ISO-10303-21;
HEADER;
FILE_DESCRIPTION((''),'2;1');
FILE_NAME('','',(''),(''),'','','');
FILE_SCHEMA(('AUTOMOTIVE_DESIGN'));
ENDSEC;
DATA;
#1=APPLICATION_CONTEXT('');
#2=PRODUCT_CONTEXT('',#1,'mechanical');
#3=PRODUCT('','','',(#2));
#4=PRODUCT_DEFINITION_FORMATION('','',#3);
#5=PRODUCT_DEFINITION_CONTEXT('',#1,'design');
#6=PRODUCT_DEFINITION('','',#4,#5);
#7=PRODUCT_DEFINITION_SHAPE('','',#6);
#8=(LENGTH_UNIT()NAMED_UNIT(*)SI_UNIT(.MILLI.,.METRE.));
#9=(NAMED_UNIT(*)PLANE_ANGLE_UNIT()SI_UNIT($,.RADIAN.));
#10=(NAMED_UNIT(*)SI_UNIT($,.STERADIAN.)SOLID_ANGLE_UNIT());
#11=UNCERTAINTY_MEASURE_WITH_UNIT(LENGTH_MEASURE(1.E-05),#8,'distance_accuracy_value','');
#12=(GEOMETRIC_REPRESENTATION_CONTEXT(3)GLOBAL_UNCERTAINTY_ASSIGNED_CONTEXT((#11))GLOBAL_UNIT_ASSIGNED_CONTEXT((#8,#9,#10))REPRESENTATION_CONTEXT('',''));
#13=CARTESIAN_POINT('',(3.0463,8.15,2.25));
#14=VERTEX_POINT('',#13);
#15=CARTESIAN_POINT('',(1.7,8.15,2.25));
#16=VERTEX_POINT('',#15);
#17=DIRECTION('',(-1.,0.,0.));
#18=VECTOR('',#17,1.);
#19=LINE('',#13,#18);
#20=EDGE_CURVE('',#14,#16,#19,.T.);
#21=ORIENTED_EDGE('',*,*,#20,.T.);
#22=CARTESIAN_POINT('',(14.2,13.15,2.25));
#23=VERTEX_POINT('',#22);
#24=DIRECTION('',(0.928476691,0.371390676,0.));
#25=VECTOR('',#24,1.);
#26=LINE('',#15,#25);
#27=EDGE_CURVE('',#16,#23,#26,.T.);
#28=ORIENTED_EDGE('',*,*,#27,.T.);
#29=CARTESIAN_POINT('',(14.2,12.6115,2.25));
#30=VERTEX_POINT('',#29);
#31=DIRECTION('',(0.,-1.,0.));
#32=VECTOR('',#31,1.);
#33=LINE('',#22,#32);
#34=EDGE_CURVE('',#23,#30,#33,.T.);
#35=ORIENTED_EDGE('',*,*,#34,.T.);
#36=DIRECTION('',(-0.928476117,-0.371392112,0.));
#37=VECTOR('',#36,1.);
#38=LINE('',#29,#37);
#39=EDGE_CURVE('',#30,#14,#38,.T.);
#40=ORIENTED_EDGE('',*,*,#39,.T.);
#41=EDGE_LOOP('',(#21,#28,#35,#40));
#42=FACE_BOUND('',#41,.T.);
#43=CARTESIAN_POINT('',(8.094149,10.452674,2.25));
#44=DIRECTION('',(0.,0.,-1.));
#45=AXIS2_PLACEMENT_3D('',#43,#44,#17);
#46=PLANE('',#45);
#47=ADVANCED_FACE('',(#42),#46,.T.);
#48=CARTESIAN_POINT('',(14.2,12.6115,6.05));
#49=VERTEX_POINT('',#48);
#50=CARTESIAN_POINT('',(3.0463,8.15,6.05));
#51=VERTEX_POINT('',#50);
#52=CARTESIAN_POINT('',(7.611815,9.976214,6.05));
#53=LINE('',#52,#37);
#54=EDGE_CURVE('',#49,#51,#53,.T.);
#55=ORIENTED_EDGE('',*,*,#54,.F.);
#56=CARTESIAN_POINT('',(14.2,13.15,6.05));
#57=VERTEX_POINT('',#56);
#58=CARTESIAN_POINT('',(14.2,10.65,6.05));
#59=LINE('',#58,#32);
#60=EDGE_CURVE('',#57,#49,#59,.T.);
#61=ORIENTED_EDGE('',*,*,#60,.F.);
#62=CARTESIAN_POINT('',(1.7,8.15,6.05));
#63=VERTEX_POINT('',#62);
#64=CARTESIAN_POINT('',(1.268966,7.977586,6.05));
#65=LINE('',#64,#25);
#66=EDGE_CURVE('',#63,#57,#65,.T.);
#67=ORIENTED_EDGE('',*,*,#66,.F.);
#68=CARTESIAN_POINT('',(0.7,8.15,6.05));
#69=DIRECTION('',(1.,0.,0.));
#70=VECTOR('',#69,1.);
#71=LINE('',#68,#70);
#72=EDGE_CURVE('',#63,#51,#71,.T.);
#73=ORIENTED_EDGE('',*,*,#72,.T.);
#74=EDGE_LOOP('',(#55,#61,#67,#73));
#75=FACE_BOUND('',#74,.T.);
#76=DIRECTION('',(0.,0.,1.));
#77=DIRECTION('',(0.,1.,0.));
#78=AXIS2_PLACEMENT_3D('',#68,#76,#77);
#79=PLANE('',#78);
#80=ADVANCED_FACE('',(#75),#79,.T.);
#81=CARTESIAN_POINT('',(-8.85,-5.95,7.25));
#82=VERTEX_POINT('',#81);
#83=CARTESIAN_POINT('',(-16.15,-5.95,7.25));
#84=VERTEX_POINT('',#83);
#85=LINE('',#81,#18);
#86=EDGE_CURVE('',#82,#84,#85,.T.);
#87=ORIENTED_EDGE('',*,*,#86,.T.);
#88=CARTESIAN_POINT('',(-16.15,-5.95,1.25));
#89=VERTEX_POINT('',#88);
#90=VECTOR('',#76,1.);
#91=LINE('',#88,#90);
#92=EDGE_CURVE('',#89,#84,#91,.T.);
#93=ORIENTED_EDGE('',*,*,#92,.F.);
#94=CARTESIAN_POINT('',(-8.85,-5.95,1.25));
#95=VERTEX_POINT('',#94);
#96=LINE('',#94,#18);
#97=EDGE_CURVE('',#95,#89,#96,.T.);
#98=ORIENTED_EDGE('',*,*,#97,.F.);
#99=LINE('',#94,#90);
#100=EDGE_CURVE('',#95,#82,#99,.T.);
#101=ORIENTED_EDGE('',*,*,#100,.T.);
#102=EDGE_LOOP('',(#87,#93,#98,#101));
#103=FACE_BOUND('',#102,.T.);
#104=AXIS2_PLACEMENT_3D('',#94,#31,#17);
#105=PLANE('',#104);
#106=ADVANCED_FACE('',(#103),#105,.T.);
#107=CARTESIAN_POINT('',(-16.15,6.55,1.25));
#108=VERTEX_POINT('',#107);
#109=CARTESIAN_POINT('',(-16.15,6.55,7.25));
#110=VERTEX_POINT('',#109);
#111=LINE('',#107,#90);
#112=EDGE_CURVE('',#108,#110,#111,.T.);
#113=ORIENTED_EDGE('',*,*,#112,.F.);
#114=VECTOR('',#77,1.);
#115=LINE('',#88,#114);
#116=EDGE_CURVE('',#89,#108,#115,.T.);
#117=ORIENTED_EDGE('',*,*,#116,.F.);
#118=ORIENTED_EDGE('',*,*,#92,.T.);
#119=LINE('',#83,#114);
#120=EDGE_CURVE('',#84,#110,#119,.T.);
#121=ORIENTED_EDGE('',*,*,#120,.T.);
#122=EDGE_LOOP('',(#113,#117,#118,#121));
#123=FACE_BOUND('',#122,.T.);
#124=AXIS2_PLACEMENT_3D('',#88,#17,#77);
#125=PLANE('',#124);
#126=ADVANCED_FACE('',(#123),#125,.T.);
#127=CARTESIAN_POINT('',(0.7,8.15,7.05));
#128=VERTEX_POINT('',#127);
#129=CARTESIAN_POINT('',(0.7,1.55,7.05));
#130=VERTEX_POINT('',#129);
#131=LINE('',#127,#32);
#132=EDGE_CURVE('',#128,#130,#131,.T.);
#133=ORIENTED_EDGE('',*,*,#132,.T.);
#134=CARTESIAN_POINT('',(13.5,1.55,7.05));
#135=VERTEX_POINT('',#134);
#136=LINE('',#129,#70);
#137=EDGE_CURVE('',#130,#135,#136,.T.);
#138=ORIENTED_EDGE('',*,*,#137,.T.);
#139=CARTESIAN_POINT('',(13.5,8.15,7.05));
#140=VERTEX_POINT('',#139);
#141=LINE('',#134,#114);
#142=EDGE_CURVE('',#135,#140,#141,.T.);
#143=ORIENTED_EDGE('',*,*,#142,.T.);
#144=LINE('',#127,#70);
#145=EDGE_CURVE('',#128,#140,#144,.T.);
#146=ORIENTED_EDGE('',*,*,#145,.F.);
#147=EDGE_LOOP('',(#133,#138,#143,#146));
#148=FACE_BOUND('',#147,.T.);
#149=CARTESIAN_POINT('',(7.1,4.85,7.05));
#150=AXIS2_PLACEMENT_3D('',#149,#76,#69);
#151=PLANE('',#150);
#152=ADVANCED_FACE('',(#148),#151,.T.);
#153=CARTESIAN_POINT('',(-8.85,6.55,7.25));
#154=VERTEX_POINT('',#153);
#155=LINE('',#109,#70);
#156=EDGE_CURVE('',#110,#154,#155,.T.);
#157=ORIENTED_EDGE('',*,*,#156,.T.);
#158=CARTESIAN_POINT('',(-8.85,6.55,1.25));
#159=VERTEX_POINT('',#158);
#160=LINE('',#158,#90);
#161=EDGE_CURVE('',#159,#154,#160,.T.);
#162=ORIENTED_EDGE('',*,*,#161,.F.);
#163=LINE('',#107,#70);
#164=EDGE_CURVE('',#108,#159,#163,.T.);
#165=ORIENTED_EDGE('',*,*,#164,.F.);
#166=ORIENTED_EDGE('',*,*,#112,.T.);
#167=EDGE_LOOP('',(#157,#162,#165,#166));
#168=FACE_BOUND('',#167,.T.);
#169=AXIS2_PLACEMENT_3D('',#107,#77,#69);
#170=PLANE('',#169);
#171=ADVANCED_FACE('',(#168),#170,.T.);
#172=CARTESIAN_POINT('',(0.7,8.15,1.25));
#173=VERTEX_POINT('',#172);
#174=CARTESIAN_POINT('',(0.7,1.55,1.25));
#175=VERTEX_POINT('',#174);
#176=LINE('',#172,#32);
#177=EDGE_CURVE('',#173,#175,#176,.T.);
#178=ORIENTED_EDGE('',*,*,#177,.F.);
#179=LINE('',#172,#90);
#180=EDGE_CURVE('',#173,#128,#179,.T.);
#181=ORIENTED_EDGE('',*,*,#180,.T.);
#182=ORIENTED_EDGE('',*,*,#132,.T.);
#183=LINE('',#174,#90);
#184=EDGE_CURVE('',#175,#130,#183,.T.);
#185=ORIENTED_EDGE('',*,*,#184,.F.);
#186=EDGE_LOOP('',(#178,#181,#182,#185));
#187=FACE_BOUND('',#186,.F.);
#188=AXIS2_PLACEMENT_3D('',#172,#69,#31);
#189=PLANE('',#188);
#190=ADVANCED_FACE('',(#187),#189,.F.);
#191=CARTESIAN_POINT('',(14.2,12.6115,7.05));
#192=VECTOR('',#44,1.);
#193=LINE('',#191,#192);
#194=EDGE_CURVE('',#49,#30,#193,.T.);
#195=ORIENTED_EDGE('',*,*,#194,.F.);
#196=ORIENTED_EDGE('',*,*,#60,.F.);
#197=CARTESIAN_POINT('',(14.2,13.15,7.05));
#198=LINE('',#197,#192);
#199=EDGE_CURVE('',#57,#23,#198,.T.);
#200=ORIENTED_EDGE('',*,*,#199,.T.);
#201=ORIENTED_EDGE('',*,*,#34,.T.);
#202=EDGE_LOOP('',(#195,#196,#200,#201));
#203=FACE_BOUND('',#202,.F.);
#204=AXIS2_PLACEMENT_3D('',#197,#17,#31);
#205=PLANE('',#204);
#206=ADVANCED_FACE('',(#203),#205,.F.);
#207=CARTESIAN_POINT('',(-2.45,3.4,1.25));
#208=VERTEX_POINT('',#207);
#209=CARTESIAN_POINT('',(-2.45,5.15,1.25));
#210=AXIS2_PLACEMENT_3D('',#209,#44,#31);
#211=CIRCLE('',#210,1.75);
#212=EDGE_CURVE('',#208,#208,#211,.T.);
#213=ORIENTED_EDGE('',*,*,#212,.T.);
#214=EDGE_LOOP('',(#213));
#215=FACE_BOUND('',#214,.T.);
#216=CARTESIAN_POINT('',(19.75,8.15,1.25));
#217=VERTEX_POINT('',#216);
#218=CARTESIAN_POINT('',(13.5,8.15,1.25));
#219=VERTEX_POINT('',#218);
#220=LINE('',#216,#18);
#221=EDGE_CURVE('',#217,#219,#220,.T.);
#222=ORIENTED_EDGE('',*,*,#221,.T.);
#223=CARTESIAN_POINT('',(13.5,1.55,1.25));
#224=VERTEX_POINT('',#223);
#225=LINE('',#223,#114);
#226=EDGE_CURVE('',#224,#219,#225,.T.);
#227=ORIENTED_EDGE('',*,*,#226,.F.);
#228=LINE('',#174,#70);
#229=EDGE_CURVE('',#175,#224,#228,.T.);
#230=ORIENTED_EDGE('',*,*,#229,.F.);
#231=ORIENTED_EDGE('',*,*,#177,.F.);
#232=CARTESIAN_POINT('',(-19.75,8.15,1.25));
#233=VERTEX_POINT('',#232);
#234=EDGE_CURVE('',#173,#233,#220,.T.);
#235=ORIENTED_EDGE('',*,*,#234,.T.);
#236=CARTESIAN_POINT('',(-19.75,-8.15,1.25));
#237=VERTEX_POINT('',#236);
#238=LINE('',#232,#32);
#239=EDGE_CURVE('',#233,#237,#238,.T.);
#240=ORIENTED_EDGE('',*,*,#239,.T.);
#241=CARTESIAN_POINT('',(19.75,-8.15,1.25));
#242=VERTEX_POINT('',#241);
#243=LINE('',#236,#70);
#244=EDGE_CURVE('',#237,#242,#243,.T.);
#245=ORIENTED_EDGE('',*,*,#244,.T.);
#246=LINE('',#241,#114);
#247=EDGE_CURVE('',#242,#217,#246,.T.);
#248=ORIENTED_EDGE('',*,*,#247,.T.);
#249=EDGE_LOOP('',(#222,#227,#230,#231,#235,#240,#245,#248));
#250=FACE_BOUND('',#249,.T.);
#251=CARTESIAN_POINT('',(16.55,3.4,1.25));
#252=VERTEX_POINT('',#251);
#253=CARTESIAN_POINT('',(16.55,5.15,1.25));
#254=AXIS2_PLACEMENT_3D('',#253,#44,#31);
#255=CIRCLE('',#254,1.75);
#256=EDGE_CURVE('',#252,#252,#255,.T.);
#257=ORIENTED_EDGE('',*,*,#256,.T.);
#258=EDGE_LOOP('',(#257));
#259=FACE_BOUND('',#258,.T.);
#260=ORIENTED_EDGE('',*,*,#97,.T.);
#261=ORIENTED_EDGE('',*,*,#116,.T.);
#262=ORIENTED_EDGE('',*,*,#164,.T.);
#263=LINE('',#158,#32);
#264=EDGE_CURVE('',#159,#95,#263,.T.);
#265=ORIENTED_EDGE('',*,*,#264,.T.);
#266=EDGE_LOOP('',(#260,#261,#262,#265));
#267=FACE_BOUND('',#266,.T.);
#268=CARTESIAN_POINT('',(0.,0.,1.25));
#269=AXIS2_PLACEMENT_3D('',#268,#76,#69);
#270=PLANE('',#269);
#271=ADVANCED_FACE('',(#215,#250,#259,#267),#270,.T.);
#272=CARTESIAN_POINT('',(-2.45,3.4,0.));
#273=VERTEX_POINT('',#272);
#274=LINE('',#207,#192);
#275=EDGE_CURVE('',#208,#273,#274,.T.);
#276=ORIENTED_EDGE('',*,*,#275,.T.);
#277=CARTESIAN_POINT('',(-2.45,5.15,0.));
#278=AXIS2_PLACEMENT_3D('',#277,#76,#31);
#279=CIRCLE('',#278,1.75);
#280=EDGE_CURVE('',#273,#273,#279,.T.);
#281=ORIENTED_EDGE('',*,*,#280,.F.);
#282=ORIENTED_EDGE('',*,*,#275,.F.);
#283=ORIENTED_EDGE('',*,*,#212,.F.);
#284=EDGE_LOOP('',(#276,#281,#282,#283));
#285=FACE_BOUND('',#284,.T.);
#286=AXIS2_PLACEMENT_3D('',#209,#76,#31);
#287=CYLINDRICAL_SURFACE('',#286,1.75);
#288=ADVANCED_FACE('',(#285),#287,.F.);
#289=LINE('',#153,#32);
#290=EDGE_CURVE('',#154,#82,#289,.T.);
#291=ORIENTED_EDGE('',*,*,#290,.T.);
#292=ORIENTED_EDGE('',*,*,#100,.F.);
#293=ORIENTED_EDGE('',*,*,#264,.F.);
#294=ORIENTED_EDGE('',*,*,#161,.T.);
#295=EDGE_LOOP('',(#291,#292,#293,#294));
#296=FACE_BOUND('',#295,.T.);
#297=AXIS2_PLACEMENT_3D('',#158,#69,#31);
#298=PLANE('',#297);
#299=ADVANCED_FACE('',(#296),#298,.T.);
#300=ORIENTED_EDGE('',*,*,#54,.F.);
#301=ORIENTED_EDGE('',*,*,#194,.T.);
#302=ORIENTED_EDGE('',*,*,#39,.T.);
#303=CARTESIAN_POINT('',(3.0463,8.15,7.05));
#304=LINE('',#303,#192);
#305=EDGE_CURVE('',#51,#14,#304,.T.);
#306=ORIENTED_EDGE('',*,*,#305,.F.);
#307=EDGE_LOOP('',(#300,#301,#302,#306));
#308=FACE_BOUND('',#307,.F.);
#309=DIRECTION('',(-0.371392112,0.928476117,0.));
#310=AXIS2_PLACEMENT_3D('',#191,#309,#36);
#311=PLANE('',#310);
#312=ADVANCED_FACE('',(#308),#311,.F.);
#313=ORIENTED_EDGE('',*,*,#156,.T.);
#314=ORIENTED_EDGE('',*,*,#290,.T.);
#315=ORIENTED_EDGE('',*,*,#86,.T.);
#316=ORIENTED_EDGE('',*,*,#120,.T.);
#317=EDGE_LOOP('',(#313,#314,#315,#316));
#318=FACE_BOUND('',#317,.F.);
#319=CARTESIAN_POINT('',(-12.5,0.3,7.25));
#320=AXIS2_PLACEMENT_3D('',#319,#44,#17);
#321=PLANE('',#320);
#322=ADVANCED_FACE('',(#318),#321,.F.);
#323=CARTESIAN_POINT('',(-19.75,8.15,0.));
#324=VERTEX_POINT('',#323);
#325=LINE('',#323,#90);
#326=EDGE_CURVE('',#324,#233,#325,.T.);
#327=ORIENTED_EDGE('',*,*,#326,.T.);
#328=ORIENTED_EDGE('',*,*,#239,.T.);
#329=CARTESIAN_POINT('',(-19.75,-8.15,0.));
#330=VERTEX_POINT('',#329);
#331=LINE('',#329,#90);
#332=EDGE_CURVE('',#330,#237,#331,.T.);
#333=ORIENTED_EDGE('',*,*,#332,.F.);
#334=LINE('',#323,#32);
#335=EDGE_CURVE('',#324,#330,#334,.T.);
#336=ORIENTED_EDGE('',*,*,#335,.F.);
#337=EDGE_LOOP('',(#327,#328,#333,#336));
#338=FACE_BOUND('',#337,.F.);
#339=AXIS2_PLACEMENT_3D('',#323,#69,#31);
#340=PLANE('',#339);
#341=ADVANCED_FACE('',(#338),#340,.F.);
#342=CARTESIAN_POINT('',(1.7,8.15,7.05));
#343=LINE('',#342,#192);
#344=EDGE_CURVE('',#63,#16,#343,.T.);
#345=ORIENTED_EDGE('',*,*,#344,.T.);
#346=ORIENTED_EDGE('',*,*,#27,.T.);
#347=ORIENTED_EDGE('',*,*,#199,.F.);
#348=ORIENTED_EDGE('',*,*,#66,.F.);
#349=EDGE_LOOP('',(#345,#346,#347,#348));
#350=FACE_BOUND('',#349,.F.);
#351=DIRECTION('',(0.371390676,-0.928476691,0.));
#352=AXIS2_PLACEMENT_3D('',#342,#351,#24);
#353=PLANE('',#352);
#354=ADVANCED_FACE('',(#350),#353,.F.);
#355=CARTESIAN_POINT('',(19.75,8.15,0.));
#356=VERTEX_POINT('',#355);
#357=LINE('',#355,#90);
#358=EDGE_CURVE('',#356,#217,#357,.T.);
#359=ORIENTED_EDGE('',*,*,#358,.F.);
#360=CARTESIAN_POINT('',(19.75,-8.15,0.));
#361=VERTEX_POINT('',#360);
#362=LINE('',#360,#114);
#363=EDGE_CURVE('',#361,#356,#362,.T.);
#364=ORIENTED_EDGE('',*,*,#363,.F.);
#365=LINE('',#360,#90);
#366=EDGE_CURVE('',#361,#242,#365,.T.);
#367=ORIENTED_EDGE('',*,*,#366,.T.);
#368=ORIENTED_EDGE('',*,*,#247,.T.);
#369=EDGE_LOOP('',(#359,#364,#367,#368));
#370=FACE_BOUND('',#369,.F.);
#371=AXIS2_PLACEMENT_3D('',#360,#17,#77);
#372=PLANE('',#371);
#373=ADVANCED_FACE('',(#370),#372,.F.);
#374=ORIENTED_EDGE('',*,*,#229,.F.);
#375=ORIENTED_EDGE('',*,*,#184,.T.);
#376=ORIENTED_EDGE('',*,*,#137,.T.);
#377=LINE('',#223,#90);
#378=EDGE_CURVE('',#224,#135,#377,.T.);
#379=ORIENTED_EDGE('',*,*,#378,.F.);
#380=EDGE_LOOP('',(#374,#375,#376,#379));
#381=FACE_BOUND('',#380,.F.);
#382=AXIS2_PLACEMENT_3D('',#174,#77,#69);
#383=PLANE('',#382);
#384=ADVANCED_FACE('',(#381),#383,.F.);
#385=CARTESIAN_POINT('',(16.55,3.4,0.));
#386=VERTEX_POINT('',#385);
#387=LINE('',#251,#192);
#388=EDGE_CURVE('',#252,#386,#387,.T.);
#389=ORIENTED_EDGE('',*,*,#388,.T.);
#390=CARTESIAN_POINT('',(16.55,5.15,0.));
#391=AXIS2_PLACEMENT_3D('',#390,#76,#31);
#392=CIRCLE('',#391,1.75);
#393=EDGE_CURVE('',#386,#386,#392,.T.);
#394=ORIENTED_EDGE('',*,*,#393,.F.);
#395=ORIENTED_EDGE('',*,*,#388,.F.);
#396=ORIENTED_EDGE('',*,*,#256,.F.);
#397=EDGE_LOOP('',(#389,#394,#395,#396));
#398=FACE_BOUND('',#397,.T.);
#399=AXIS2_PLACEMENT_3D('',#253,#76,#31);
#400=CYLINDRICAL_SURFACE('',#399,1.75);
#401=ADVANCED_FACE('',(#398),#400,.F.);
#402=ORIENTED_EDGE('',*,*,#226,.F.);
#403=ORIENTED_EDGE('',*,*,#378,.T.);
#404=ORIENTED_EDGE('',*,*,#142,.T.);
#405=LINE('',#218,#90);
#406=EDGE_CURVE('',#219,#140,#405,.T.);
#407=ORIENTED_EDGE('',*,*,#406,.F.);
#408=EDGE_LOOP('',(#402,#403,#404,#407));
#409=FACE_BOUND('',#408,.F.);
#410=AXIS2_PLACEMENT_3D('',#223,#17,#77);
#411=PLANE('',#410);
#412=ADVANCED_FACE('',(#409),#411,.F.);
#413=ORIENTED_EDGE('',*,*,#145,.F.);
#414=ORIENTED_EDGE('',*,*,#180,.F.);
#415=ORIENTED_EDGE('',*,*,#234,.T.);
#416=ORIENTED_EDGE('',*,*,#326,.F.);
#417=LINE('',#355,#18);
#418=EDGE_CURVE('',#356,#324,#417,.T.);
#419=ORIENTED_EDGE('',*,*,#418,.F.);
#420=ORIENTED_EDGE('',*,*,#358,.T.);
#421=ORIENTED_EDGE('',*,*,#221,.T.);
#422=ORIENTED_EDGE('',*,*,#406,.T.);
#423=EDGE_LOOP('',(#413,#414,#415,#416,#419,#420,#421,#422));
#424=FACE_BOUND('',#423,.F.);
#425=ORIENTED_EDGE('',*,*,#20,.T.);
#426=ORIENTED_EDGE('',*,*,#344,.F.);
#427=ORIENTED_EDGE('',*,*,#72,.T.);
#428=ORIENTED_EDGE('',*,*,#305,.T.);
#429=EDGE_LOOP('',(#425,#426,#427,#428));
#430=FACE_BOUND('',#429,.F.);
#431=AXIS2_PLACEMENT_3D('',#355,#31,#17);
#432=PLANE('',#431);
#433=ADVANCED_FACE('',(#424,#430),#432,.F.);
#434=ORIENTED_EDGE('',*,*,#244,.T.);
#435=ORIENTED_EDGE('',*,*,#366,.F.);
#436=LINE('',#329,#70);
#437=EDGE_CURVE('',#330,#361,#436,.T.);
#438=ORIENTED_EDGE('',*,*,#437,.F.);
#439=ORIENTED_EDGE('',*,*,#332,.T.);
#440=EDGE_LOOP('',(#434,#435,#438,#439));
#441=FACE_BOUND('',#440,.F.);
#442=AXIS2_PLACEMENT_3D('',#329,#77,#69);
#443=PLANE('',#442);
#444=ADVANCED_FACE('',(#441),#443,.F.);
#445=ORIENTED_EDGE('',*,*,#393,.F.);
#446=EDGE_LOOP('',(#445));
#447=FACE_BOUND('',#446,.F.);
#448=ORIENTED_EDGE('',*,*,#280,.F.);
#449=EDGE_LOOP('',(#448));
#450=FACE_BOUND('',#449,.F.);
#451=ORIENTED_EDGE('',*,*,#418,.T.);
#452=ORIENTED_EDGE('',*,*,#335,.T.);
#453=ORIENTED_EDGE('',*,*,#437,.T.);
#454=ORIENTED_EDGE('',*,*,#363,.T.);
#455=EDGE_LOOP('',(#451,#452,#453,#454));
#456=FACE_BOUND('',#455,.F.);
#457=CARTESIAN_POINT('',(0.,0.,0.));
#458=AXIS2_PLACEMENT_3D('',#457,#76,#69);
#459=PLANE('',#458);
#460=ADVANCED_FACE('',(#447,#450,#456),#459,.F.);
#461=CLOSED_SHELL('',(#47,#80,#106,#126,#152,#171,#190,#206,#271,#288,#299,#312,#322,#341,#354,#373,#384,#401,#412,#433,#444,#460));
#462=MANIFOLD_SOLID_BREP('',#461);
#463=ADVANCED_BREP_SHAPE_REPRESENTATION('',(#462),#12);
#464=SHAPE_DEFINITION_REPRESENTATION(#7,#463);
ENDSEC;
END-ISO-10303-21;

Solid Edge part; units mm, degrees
sketch "Sketch1" plane through (0, 0, 0) normal (0, 0, 1) x (1, 0, 0)
  line L0 (-19.75, -8.15) -> (19.75, -8.15)
  line L1 (19.75, -8.15) -> (19.75, 8.15)
  line L2 (19.75, 8.15) -> (-19.75, 8.15)
  line L3 (-19.75, 8.15) -> (-19.75, -8.15)
  dimension "D1" = 39.5
  dimension "D2" = 16.3
extrude "Protrusion1" add sketch "Sketch1" along normal blind 1.25
sketch "Sketch2" plane through (0, 0, 1.25) normal (0, 0, 1) x (1, 0, 0)
  line L0 (13.5, 8.15) -> (0.7, 8.15)
  line L1 (0.7, 8.15) -> (0.7, 1.55)
  line L2 (0.7, 1.55) -> (13.5, 1.55)
  line L3 (13.5, 1.55) -> (13.5, 8.15)
  dimension "D1" = 6.25
  dimension "D2" = 12.8
  dimension "D3" = 6.6
extrude "ExtrudedProtrusion_2" add sketch "Sketch2" along normal blind 5.8
sketch "Sketch3" plane through (0, 0, 1.25) normal (0, 0, 1) x (1, 0, 0)
  line L0 (-16.15, 6.55) -> (-8.85, 6.55)
  line L1 (-8.85, 6.55) -> (-8.85, -5.95)
  line L2 (-8.85, -5.95) -> (-16.15, -5.95)
  line L3 (-16.15, -5.95) -> (-16.15, 6.55)
  dimension "D1" = 1.6
  dimension "D2" = 3.6
  dimension "D3" = 7.3
  dimension "D4" = 12.5
extrude "ExtrudedProtrusion_3" add sketch "Sketch3" along normal blind 6
hole "Hole_1" at (16.55, 5.15, 1.25) direction (0, 0, -1) diameter 3.5 end up to next
hole "Hole1" at (-2.45, 5.15, 1.25) direction (0, 0, -1) diameter 3.5 end up to next
sketch "Sketch4" plane through (7.1, 4.85, 7.05) normal (0, 0, 1) x (1, 0, 0)
  line L0 (-5.4, 3.3) -> (7.1, 8.3)
  line L1 (7.1, 8.3) -> (7.1, 7.7615)
  line L2 (7.1, 7.7615) -> (-4.0537, 3.3)
  line L3 (-4.0537, 3.3) -> (-5.4, 3.3)
  dimension "D1" = 5
  dimension "D2" = 1
  dimension "D3" = 0.5
  dimension "D4" = 12.5
extrude "ExtrudedProtrusion_4" add sketch "Sketch4" against normal blind 4.8
sketch "Sketch5" plane through (0.7, 4.85, 4.15) normal (-1, 0, 0) x (0, -1, 0)
  line L0 (-3.3, 2.9) -> (-3.3, 1.9)
  line L1 (-3.3, 1.9) -> (-8.3, 1.9)
  line L2 (-8.3, 1.9) -> (-8.3, 2.9)
  line L3 (-8.3, 2.9) -> (-3.3, 2.9)
  dimension "D1" = 1
extrude "Cutout1" cut sketch "Sketch5" against normal up to next
properties material "Polyethylene, low density"
